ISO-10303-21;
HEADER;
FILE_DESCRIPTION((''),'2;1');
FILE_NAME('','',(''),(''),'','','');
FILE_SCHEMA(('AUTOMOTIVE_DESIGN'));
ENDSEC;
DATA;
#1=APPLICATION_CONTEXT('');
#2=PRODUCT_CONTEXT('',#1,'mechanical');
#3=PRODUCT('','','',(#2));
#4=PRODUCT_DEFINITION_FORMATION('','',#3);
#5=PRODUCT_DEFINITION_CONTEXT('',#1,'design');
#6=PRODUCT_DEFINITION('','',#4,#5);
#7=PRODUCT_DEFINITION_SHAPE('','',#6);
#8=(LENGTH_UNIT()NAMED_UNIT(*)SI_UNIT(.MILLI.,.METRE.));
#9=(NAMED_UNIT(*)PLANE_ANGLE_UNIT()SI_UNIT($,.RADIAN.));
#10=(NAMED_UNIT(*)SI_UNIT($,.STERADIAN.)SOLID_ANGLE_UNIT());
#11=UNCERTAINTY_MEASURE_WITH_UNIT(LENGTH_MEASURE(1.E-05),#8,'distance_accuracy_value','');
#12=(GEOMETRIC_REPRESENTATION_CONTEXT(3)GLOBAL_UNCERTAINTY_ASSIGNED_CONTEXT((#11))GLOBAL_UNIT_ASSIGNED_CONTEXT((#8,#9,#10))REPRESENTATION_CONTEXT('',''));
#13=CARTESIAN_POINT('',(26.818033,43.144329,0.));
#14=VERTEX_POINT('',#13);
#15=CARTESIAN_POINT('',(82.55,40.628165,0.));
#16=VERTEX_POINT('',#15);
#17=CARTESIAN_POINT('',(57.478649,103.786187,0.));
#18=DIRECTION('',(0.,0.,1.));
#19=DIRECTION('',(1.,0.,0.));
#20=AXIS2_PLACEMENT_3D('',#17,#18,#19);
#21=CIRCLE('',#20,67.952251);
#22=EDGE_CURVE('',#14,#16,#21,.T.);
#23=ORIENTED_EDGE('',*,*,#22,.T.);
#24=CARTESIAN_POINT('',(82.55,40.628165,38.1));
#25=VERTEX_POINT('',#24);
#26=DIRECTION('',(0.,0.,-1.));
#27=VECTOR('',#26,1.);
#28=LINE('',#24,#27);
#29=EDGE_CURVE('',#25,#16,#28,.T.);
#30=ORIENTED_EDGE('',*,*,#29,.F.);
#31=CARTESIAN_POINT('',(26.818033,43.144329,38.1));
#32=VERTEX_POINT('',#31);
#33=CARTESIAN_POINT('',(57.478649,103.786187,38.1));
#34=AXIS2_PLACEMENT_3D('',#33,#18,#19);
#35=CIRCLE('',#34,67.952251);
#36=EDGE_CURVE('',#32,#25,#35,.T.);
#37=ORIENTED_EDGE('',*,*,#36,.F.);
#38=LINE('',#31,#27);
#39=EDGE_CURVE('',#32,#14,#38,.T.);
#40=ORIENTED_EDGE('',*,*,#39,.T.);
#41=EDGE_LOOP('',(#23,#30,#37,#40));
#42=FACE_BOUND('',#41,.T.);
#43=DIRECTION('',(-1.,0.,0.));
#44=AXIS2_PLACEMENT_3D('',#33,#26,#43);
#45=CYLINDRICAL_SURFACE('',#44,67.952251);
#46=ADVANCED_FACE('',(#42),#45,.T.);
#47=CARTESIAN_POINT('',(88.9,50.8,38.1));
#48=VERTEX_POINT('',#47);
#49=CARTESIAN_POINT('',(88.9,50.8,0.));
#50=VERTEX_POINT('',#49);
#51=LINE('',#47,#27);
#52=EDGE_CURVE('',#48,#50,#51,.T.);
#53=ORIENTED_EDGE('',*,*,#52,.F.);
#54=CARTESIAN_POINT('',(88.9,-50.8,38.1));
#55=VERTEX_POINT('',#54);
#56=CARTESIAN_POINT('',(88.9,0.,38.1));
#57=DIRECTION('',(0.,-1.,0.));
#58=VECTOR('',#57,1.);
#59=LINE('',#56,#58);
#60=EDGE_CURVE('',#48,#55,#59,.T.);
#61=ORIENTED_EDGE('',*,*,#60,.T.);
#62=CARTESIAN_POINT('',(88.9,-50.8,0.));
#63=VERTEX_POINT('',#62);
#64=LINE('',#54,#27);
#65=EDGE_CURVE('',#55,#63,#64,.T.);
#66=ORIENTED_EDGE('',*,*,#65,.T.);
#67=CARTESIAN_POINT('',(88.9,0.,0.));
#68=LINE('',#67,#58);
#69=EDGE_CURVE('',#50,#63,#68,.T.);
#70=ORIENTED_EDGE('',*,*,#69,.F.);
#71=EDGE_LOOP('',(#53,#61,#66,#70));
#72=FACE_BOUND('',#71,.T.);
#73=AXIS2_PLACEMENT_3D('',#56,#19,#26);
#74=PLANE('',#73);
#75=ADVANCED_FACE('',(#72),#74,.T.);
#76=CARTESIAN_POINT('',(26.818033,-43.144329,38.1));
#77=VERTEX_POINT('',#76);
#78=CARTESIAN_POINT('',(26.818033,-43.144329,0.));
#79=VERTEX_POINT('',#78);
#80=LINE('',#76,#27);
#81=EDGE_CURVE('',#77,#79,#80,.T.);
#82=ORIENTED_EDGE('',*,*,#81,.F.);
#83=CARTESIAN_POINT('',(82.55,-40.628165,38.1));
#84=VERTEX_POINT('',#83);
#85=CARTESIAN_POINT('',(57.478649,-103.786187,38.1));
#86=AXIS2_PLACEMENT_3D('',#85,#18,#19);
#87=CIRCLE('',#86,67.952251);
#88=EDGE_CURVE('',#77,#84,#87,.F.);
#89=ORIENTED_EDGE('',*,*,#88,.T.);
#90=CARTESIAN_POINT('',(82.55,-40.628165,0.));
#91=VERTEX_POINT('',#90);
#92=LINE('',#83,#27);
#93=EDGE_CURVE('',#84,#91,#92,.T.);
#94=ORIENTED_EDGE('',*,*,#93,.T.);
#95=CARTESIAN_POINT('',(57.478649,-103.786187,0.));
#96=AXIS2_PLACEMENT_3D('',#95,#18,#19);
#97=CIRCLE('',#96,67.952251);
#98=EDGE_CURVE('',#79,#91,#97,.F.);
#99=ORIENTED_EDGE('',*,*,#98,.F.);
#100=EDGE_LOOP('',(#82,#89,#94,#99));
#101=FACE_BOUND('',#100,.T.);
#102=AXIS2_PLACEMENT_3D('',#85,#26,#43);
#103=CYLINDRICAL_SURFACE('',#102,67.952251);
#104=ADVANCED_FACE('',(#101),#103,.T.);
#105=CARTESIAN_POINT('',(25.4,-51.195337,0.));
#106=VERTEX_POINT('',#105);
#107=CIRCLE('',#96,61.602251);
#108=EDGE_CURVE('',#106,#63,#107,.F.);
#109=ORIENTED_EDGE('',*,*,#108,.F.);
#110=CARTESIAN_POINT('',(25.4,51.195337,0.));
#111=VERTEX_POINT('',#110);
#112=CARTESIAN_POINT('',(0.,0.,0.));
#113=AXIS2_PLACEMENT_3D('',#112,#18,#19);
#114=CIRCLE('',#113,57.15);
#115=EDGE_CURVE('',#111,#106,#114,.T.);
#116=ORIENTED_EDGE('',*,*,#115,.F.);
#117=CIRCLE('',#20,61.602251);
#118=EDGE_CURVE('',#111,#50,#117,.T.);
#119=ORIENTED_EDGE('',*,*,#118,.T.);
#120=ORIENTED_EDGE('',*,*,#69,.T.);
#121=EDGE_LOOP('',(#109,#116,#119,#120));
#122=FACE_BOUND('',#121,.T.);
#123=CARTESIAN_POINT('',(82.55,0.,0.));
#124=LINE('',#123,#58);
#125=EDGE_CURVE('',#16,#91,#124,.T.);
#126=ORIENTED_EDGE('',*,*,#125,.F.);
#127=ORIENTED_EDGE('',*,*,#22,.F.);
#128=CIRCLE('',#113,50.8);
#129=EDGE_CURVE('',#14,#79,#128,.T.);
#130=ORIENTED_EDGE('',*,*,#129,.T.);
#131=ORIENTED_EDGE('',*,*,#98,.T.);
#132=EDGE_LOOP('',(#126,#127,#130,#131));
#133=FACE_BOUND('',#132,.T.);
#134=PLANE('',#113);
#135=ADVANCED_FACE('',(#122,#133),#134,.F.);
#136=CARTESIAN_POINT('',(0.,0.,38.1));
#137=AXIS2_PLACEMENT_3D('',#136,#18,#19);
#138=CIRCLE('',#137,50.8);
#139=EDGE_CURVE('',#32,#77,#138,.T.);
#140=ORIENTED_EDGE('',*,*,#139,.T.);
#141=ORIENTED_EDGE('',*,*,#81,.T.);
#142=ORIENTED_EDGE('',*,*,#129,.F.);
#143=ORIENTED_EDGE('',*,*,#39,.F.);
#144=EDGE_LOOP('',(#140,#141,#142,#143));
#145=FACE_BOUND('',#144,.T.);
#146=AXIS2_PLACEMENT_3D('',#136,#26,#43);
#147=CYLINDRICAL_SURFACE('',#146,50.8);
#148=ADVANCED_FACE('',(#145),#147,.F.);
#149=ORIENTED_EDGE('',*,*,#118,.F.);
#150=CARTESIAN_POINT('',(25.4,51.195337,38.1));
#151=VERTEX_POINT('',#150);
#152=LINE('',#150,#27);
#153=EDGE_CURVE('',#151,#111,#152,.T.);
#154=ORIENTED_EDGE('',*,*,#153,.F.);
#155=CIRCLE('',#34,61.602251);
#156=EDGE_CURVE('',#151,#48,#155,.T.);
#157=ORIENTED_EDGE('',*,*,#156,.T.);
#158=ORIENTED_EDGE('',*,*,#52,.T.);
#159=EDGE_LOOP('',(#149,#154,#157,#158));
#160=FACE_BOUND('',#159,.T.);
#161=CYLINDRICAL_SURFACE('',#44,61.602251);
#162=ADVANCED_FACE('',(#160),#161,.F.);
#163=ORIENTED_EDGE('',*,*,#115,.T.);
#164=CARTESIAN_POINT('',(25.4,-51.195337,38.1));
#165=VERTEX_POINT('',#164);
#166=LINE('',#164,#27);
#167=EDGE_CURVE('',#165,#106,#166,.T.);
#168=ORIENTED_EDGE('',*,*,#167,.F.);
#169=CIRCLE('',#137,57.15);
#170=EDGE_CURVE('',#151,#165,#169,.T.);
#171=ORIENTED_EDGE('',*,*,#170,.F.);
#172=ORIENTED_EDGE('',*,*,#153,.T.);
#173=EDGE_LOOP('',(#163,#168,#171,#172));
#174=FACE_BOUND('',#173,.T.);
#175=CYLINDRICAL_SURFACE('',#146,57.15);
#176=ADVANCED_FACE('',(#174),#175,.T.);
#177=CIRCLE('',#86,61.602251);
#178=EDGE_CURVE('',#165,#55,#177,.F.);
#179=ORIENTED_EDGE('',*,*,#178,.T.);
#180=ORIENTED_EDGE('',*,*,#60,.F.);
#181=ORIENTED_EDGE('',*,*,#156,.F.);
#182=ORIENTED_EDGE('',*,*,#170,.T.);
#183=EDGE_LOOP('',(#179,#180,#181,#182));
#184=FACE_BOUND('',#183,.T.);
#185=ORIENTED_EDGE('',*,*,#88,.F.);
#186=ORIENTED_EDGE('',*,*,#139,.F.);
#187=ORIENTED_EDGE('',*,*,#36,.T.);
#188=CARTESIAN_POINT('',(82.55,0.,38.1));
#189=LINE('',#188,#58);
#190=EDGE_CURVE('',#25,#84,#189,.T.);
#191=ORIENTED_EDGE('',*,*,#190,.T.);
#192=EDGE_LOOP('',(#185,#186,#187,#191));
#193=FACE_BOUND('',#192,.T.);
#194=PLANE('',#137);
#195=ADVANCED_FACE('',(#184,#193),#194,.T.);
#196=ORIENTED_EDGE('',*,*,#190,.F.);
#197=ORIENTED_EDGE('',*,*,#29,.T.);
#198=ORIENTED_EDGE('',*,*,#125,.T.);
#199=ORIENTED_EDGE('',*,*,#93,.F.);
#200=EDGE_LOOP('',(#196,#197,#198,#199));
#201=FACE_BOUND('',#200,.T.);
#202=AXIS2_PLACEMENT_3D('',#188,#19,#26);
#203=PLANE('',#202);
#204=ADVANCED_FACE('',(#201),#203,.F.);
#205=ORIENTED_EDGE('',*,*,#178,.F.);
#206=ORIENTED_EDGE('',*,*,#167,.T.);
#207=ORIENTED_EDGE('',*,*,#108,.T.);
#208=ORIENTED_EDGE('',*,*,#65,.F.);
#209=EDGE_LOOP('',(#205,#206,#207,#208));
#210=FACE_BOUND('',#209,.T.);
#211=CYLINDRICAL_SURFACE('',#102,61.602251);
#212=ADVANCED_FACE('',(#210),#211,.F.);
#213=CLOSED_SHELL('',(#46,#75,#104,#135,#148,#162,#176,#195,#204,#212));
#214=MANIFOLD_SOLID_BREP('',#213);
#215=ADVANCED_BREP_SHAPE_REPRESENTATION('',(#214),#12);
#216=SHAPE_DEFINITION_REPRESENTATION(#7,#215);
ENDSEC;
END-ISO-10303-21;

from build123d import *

# Parameters (mm, degrees)
BOSS_EXTRUDE1_DEPTH = 38.1


with BuildPart() as part:
    # Sketch1 → Boss-Extrude1 (new body)
    with BuildSketch(Plane.XY):
        with BuildLine():
            Line((88.9, -50.8), (88.9, 50.8))
            ThreePointArc((88.9, 50.8), (57.095135122, 42.185130239), (25.4, 51.195336702))
            ThreePointArc((25.4, 51.195336702), (-57.15, 0), (25.4, -51.195336702))
            ThreePointArc((25.4, -51.195336702), (57.095135122, -42.185130239), (88.9, -50.8))
        make_face()
        with BuildLine():
            ThreePointArc((82.55, -40.628164989), (54.413891048, -35.903084421), (26.818032813, -43.144328898))
            ThreePointArc((26.818032813, -43.144328898), (24.611630749, -44.439932852), (22.342791686, -45.622797587))
            ThreePointArc((22.342791686, -45.622797587), (-50.735562995, 2.557859955), (26.818032813, 43.144328898))
            ThreePointArc((26.818032813, 43.144328898), (54.413891048, 35.903084421), (82.55, 40.628164989))
            Line((82.55, 40.628164989), (82.55, -40.628164989))
        make_face(mode=Mode.SUBTRACT)
    extrude(amount=BOSS_EXTRUDE1_DEPTH)


solid = part.part
